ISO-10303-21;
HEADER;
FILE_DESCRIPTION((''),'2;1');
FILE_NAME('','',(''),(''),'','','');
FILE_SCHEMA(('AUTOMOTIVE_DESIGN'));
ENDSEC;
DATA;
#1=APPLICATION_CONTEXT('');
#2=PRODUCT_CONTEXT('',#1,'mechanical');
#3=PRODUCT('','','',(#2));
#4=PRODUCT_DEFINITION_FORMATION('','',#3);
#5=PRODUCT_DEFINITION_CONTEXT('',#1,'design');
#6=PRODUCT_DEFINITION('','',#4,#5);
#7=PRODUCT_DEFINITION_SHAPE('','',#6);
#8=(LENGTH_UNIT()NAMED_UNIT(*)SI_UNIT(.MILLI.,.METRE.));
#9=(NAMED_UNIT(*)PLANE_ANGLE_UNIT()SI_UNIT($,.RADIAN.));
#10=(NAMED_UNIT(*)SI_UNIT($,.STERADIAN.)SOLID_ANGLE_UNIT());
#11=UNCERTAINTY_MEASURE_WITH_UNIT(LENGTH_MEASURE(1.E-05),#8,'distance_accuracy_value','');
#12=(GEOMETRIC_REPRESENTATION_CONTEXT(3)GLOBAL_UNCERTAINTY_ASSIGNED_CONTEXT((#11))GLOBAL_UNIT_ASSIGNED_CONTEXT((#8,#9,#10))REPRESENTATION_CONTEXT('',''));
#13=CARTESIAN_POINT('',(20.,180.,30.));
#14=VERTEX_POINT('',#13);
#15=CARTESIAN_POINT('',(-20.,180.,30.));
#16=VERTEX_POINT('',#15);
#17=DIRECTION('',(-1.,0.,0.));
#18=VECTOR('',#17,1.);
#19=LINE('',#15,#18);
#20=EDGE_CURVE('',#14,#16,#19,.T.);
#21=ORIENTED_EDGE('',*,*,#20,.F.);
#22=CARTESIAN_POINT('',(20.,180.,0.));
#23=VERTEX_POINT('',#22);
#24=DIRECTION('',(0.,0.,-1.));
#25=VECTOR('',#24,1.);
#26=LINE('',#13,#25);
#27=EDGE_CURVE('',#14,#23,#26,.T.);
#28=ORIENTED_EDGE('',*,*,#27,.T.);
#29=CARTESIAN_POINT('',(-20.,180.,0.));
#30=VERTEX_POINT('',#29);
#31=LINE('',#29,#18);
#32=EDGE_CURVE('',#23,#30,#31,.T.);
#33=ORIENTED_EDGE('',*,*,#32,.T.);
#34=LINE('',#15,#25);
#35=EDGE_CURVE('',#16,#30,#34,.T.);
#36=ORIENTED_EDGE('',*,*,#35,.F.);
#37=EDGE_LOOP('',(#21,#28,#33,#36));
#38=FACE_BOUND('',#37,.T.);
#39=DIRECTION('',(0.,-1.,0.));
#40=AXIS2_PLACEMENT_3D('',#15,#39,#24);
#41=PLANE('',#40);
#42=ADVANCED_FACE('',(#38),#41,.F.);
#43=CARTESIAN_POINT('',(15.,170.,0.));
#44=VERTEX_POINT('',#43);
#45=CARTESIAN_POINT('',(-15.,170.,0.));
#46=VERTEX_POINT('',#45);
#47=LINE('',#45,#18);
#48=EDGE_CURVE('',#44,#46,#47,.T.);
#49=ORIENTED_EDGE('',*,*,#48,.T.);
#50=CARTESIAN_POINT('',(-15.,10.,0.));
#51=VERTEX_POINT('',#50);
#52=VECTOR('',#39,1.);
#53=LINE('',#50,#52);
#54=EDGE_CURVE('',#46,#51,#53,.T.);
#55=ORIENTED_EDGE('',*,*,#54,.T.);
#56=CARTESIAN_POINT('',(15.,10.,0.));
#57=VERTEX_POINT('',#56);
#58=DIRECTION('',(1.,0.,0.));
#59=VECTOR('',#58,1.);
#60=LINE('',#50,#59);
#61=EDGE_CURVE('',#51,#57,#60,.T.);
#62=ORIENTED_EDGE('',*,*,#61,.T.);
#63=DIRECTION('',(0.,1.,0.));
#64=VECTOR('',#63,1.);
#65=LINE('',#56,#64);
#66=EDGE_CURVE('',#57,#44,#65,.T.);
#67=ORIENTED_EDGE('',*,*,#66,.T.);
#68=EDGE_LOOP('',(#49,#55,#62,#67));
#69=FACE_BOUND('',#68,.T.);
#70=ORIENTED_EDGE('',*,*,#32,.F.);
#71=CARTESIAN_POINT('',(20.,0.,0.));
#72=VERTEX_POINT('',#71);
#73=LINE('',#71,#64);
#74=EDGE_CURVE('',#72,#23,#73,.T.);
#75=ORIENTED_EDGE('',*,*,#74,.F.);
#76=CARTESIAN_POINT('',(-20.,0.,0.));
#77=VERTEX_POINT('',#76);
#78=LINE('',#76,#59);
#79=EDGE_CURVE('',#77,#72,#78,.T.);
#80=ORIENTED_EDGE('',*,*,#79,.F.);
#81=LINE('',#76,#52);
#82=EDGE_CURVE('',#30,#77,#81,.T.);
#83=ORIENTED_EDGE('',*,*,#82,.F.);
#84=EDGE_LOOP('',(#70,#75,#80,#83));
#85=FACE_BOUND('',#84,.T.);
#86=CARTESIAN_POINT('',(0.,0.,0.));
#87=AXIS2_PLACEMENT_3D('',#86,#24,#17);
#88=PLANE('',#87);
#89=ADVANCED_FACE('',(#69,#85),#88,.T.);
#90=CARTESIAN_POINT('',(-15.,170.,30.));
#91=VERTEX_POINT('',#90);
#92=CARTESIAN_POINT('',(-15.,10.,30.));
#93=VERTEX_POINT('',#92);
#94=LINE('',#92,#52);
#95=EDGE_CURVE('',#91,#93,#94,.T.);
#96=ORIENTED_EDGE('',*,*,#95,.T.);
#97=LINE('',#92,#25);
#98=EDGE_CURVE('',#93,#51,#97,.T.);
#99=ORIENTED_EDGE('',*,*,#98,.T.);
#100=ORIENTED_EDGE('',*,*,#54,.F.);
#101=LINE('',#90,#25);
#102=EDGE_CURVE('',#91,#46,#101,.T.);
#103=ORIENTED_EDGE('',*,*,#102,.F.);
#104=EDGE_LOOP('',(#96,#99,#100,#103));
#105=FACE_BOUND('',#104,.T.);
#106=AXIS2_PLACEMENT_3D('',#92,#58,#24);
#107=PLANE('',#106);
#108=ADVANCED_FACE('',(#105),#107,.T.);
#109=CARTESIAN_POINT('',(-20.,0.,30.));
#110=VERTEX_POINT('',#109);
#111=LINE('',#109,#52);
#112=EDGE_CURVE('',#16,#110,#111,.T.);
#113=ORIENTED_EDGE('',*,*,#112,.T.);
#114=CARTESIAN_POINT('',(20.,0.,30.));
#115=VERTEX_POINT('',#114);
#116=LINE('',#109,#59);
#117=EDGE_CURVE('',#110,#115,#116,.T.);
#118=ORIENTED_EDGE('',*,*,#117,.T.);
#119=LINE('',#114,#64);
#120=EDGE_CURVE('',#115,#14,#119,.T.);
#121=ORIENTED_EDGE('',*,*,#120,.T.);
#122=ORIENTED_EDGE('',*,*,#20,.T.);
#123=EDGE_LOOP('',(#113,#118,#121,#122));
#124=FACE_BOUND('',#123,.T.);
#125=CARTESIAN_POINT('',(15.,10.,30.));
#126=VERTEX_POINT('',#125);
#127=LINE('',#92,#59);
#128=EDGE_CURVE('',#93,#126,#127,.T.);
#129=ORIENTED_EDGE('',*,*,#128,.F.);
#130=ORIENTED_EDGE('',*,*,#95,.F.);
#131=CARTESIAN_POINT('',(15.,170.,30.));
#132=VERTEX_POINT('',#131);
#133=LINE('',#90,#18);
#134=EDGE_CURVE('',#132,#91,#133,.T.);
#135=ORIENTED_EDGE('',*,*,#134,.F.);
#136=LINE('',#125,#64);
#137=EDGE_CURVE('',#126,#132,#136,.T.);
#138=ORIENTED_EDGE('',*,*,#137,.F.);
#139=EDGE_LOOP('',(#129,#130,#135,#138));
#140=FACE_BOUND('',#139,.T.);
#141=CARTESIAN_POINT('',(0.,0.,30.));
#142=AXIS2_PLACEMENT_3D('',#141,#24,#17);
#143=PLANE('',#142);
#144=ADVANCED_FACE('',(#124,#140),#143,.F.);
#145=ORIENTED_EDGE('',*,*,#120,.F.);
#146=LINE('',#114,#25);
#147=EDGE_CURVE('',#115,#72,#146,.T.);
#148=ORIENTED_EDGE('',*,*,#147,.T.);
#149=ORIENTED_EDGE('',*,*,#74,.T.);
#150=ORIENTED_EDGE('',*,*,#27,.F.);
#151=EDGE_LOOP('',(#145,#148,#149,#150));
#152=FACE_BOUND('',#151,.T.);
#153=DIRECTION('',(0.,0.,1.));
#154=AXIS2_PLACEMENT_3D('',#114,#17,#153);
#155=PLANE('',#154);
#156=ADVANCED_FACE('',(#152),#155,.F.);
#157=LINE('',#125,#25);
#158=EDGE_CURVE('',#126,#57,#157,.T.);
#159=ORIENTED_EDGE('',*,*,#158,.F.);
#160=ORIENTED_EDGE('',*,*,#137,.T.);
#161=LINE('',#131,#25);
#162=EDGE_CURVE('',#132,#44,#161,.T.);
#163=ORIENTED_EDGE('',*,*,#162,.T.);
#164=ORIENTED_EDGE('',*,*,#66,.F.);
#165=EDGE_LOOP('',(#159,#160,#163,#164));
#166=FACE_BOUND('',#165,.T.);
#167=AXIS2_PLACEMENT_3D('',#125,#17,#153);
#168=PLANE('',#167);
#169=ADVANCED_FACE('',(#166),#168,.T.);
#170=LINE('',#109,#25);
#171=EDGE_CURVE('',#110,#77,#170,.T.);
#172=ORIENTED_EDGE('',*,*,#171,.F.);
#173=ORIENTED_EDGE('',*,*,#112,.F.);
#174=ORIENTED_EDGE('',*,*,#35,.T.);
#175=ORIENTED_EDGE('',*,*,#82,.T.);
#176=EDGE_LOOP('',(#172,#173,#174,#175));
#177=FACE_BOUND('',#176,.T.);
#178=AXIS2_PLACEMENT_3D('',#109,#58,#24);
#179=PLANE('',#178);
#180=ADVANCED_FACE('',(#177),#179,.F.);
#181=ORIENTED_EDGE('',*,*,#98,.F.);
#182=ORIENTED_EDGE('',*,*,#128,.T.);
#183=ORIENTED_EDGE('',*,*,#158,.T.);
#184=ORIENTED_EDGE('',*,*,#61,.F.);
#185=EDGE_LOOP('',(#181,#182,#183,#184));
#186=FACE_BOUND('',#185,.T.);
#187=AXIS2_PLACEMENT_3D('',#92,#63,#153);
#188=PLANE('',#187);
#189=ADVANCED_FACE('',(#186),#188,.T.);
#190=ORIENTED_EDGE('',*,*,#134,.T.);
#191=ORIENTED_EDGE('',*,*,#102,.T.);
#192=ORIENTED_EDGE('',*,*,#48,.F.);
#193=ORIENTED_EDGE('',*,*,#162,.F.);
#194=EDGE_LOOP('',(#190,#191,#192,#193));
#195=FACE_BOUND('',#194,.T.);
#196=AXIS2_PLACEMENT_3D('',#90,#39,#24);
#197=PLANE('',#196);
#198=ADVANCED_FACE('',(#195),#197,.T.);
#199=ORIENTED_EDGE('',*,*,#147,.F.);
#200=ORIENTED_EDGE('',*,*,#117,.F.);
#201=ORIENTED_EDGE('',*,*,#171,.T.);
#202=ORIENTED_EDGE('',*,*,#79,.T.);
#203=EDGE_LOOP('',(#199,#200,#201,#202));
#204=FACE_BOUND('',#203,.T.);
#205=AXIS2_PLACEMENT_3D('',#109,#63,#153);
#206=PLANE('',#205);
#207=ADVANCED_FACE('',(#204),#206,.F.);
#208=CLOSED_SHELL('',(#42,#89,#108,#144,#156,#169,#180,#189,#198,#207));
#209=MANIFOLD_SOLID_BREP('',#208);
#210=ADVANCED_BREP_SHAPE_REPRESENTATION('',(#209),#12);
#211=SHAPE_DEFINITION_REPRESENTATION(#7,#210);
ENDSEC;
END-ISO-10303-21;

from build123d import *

# Parameters (mm, degrees)
SKETCH1_W           = 40
SKETCH1_H           = 180
BOSS_EXTRUDE1_DEPTH = 30
SKETCH2_W           = 30
SKETCH2_H           = 160
CUT_EXTRUDE1_DEPTH  = 30


with BuildPart() as part:
    # Sketch1 → Boss-Extrude1 (new body)
    with BuildSketch(Plane.XY):
        with Locations((0, 90)):
            Rectangle(SKETCH1_W, SKETCH1_H)
    extrude(amount=BOSS_EXTRUDE1_DEPTH)

    # Sketch2 → Cut-Extrude1 (cut)
    with BuildSketch(Plane.XY):
        with Locations((0, 90)):
            Rectangle(SKETCH2_W, SKETCH2_H)
    extrude(amount=CUT_EXTRUDE1_DEPTH, mode=Mode.SUBTRACT)


solid = part.part
